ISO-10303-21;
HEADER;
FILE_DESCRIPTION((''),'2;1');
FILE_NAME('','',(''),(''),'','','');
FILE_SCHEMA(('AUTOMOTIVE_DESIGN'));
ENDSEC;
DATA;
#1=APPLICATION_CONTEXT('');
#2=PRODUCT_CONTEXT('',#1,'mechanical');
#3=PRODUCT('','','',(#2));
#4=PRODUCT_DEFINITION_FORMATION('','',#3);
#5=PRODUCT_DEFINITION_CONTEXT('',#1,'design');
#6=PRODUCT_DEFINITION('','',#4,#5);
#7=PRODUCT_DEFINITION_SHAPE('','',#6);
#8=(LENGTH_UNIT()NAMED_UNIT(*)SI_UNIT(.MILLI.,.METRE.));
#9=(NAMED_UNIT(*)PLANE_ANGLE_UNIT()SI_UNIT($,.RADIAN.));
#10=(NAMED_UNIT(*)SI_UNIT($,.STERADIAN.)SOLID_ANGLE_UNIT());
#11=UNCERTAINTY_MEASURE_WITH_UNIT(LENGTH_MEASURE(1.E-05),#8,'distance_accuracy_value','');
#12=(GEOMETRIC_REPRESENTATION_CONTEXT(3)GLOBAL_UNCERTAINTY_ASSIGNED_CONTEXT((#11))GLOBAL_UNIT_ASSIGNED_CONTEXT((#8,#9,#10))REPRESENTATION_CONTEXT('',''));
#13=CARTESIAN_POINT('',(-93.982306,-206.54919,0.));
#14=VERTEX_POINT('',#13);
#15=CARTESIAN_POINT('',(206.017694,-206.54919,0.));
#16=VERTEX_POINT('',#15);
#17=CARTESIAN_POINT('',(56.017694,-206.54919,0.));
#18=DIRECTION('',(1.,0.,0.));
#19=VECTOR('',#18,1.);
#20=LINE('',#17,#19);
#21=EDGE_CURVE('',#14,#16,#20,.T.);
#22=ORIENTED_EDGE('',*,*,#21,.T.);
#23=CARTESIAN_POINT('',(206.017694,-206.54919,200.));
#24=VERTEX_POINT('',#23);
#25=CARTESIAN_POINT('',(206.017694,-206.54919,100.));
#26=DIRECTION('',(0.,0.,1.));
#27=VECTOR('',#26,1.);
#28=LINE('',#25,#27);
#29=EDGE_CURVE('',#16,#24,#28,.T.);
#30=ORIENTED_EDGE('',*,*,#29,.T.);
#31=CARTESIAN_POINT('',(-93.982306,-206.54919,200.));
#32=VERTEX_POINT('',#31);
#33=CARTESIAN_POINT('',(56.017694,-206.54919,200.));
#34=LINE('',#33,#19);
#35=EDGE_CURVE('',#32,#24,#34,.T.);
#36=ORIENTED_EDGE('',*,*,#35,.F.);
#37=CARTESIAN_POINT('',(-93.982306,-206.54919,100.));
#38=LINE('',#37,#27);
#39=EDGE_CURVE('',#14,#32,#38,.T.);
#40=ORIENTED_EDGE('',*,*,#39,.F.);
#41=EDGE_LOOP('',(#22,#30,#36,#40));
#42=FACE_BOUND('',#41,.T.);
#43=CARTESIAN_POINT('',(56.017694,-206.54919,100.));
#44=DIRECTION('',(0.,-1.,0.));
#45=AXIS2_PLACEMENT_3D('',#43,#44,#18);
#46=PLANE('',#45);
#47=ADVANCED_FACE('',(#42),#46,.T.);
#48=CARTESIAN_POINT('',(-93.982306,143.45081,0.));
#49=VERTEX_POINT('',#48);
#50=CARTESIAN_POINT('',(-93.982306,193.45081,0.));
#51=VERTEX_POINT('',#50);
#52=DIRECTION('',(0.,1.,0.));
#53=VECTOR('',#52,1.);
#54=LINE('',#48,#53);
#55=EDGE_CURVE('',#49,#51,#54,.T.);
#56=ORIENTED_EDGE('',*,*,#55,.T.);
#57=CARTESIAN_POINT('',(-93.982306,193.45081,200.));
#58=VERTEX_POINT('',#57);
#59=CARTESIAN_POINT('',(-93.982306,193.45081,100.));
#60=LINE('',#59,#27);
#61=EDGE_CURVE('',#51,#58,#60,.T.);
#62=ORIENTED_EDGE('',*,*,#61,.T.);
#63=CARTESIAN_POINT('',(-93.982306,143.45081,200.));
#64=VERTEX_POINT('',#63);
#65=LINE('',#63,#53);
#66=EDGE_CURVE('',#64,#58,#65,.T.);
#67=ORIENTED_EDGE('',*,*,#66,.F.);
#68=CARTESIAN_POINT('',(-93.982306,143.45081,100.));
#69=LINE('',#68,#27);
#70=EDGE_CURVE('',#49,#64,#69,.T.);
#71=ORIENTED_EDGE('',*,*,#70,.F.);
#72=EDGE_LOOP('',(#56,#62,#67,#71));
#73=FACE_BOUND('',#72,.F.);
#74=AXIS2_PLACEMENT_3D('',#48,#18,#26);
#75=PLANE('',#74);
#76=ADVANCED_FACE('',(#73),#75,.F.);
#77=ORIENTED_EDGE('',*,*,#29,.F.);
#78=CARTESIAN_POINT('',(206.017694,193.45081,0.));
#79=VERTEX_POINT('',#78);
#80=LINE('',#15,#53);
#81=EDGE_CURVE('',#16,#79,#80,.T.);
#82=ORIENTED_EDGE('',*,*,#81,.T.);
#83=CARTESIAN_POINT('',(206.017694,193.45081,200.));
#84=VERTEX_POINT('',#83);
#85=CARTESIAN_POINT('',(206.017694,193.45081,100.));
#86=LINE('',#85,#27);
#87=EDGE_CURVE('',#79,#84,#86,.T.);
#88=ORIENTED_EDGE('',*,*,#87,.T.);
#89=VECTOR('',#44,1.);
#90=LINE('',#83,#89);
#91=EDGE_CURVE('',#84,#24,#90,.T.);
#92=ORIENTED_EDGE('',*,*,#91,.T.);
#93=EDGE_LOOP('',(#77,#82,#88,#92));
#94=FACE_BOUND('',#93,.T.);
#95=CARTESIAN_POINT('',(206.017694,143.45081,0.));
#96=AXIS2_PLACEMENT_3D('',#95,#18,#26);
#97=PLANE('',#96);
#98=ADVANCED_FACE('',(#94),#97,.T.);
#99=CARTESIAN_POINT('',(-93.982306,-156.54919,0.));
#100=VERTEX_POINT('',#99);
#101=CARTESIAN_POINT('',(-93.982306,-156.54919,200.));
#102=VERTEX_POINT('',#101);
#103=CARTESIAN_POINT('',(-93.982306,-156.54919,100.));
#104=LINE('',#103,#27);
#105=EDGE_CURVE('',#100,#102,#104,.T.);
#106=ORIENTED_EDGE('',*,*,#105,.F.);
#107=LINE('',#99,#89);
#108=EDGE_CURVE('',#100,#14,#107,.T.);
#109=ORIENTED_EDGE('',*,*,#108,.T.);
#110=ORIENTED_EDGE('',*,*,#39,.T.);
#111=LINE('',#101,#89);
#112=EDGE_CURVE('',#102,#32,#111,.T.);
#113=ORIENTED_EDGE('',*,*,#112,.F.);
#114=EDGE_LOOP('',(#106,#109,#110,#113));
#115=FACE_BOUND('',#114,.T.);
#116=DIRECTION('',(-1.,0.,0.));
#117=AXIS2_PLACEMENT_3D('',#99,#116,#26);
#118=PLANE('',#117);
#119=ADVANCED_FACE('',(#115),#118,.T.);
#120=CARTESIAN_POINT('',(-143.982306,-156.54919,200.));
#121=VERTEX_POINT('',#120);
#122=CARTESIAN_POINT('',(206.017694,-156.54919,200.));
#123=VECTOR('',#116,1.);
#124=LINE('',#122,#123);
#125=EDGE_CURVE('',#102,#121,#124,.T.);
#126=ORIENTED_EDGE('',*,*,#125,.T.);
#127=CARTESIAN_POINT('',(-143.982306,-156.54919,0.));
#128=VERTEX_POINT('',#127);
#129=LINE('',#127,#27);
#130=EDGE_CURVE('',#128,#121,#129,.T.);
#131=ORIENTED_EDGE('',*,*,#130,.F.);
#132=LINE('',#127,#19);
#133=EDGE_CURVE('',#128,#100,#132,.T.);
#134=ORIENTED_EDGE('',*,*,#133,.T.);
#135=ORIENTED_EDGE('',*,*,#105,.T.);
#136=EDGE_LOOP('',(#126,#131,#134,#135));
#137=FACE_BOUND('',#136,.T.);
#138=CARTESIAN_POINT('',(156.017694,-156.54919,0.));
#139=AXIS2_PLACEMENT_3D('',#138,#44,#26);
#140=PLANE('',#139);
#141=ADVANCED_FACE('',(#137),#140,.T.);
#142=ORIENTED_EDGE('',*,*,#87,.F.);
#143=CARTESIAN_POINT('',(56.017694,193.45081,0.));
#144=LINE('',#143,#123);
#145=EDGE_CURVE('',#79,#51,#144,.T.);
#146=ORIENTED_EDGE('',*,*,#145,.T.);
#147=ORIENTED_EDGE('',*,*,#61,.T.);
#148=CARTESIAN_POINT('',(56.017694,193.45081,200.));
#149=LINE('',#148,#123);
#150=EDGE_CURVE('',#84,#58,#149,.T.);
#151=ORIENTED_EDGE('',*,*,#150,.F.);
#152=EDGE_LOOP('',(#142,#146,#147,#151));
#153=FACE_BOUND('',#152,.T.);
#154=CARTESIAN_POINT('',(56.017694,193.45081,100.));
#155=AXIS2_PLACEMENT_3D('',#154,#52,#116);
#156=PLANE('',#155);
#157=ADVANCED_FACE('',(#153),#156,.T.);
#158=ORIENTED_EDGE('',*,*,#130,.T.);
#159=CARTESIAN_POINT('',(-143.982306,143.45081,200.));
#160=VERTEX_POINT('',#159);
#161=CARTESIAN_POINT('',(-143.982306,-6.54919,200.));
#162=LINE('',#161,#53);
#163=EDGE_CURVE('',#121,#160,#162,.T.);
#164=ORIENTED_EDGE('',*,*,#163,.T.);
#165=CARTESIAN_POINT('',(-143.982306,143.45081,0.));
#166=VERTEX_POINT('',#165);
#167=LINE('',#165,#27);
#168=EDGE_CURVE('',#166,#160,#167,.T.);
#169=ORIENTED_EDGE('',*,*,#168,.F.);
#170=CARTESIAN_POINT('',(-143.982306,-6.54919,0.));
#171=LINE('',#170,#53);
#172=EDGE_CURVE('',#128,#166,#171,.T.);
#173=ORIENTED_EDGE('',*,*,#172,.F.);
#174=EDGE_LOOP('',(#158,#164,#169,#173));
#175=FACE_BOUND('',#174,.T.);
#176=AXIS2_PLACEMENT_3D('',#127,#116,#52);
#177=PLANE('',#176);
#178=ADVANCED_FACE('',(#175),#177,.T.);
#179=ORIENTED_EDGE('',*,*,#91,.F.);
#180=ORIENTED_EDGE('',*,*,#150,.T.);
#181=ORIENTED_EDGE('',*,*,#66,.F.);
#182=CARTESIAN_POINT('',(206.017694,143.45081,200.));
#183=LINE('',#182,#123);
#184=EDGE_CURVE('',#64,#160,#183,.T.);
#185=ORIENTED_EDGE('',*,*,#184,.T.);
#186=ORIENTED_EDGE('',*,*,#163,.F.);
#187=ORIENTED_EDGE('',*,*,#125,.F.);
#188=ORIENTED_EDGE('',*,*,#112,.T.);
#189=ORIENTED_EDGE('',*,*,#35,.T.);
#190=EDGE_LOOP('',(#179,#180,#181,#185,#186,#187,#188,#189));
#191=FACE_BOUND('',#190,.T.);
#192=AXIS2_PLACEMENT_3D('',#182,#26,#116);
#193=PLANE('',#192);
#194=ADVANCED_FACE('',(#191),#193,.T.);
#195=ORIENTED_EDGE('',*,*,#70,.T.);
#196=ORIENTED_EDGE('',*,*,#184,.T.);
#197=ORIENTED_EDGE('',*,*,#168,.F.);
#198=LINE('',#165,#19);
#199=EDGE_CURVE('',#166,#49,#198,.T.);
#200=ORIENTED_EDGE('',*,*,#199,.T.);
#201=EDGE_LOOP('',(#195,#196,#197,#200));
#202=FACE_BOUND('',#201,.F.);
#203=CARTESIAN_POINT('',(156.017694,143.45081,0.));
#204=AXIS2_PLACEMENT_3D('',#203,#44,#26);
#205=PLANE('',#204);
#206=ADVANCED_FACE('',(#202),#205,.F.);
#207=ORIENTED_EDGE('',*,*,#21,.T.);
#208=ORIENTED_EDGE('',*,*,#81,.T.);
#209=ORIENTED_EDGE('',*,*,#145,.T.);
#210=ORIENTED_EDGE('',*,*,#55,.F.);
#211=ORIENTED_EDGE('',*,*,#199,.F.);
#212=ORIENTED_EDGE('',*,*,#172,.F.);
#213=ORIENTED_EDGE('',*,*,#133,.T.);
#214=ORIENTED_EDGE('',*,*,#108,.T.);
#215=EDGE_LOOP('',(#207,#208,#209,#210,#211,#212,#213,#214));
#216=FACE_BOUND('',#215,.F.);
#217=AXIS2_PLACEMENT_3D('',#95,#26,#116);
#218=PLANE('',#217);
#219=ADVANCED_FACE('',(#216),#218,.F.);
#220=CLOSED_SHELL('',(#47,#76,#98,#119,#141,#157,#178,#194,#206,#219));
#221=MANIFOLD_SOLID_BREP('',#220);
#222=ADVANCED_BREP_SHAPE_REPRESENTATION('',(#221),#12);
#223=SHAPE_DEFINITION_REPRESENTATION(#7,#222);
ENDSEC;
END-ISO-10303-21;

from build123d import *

# Parameters (mm, degrees)
F0_W     = 300
F0_H     = 300
F1_DEPTH = 200
F2_W     = 300
F2_H     = 200
F3_DEPTH = 50
F4_W     = 300
F4_H     = 200
F5_DEPTH = 50
F6_W     = 300
F6_H     = 200
F7_DEPTH = 50


with BuildPart() as f1:
    # F0 (on Top) → F1 (new body)
    with BuildSketch(Plane.XY):
        with Locations((6.017694, -6.54919)):
            Rectangle(F0_W, F0_H)
    extrude(amount=F1_DEPTH)

    # F2 (on face) → F3 (join)
    with BuildSketch(Plane.YZ.offset(156.017694)):
        with Locations((-6.54919, 100)):
            Rectangle(F2_W, F2_H)
    extrude(amount=F3_DEPTH)

    # F4 (on face) → F5 (join)
    with BuildSketch(Plane.XZ.offset(156.54919)):
        with Locations((56.017694, 100)):
            Rectangle(F4_W, F4_H)
    extrude(amount=F5_DEPTH)

    # F6 (on face) → F7 (join)
    with BuildSketch(Plane(origin=(0, 143.45081, 0), x_dir=(-1, 0, 0), z_dir=(0, 1, 0))):
        with Locations((-56.017694, 100)):
            Rectangle(F6_W, F6_H)
    extrude(amount=F7_DEPTH)


solid = f1.part
